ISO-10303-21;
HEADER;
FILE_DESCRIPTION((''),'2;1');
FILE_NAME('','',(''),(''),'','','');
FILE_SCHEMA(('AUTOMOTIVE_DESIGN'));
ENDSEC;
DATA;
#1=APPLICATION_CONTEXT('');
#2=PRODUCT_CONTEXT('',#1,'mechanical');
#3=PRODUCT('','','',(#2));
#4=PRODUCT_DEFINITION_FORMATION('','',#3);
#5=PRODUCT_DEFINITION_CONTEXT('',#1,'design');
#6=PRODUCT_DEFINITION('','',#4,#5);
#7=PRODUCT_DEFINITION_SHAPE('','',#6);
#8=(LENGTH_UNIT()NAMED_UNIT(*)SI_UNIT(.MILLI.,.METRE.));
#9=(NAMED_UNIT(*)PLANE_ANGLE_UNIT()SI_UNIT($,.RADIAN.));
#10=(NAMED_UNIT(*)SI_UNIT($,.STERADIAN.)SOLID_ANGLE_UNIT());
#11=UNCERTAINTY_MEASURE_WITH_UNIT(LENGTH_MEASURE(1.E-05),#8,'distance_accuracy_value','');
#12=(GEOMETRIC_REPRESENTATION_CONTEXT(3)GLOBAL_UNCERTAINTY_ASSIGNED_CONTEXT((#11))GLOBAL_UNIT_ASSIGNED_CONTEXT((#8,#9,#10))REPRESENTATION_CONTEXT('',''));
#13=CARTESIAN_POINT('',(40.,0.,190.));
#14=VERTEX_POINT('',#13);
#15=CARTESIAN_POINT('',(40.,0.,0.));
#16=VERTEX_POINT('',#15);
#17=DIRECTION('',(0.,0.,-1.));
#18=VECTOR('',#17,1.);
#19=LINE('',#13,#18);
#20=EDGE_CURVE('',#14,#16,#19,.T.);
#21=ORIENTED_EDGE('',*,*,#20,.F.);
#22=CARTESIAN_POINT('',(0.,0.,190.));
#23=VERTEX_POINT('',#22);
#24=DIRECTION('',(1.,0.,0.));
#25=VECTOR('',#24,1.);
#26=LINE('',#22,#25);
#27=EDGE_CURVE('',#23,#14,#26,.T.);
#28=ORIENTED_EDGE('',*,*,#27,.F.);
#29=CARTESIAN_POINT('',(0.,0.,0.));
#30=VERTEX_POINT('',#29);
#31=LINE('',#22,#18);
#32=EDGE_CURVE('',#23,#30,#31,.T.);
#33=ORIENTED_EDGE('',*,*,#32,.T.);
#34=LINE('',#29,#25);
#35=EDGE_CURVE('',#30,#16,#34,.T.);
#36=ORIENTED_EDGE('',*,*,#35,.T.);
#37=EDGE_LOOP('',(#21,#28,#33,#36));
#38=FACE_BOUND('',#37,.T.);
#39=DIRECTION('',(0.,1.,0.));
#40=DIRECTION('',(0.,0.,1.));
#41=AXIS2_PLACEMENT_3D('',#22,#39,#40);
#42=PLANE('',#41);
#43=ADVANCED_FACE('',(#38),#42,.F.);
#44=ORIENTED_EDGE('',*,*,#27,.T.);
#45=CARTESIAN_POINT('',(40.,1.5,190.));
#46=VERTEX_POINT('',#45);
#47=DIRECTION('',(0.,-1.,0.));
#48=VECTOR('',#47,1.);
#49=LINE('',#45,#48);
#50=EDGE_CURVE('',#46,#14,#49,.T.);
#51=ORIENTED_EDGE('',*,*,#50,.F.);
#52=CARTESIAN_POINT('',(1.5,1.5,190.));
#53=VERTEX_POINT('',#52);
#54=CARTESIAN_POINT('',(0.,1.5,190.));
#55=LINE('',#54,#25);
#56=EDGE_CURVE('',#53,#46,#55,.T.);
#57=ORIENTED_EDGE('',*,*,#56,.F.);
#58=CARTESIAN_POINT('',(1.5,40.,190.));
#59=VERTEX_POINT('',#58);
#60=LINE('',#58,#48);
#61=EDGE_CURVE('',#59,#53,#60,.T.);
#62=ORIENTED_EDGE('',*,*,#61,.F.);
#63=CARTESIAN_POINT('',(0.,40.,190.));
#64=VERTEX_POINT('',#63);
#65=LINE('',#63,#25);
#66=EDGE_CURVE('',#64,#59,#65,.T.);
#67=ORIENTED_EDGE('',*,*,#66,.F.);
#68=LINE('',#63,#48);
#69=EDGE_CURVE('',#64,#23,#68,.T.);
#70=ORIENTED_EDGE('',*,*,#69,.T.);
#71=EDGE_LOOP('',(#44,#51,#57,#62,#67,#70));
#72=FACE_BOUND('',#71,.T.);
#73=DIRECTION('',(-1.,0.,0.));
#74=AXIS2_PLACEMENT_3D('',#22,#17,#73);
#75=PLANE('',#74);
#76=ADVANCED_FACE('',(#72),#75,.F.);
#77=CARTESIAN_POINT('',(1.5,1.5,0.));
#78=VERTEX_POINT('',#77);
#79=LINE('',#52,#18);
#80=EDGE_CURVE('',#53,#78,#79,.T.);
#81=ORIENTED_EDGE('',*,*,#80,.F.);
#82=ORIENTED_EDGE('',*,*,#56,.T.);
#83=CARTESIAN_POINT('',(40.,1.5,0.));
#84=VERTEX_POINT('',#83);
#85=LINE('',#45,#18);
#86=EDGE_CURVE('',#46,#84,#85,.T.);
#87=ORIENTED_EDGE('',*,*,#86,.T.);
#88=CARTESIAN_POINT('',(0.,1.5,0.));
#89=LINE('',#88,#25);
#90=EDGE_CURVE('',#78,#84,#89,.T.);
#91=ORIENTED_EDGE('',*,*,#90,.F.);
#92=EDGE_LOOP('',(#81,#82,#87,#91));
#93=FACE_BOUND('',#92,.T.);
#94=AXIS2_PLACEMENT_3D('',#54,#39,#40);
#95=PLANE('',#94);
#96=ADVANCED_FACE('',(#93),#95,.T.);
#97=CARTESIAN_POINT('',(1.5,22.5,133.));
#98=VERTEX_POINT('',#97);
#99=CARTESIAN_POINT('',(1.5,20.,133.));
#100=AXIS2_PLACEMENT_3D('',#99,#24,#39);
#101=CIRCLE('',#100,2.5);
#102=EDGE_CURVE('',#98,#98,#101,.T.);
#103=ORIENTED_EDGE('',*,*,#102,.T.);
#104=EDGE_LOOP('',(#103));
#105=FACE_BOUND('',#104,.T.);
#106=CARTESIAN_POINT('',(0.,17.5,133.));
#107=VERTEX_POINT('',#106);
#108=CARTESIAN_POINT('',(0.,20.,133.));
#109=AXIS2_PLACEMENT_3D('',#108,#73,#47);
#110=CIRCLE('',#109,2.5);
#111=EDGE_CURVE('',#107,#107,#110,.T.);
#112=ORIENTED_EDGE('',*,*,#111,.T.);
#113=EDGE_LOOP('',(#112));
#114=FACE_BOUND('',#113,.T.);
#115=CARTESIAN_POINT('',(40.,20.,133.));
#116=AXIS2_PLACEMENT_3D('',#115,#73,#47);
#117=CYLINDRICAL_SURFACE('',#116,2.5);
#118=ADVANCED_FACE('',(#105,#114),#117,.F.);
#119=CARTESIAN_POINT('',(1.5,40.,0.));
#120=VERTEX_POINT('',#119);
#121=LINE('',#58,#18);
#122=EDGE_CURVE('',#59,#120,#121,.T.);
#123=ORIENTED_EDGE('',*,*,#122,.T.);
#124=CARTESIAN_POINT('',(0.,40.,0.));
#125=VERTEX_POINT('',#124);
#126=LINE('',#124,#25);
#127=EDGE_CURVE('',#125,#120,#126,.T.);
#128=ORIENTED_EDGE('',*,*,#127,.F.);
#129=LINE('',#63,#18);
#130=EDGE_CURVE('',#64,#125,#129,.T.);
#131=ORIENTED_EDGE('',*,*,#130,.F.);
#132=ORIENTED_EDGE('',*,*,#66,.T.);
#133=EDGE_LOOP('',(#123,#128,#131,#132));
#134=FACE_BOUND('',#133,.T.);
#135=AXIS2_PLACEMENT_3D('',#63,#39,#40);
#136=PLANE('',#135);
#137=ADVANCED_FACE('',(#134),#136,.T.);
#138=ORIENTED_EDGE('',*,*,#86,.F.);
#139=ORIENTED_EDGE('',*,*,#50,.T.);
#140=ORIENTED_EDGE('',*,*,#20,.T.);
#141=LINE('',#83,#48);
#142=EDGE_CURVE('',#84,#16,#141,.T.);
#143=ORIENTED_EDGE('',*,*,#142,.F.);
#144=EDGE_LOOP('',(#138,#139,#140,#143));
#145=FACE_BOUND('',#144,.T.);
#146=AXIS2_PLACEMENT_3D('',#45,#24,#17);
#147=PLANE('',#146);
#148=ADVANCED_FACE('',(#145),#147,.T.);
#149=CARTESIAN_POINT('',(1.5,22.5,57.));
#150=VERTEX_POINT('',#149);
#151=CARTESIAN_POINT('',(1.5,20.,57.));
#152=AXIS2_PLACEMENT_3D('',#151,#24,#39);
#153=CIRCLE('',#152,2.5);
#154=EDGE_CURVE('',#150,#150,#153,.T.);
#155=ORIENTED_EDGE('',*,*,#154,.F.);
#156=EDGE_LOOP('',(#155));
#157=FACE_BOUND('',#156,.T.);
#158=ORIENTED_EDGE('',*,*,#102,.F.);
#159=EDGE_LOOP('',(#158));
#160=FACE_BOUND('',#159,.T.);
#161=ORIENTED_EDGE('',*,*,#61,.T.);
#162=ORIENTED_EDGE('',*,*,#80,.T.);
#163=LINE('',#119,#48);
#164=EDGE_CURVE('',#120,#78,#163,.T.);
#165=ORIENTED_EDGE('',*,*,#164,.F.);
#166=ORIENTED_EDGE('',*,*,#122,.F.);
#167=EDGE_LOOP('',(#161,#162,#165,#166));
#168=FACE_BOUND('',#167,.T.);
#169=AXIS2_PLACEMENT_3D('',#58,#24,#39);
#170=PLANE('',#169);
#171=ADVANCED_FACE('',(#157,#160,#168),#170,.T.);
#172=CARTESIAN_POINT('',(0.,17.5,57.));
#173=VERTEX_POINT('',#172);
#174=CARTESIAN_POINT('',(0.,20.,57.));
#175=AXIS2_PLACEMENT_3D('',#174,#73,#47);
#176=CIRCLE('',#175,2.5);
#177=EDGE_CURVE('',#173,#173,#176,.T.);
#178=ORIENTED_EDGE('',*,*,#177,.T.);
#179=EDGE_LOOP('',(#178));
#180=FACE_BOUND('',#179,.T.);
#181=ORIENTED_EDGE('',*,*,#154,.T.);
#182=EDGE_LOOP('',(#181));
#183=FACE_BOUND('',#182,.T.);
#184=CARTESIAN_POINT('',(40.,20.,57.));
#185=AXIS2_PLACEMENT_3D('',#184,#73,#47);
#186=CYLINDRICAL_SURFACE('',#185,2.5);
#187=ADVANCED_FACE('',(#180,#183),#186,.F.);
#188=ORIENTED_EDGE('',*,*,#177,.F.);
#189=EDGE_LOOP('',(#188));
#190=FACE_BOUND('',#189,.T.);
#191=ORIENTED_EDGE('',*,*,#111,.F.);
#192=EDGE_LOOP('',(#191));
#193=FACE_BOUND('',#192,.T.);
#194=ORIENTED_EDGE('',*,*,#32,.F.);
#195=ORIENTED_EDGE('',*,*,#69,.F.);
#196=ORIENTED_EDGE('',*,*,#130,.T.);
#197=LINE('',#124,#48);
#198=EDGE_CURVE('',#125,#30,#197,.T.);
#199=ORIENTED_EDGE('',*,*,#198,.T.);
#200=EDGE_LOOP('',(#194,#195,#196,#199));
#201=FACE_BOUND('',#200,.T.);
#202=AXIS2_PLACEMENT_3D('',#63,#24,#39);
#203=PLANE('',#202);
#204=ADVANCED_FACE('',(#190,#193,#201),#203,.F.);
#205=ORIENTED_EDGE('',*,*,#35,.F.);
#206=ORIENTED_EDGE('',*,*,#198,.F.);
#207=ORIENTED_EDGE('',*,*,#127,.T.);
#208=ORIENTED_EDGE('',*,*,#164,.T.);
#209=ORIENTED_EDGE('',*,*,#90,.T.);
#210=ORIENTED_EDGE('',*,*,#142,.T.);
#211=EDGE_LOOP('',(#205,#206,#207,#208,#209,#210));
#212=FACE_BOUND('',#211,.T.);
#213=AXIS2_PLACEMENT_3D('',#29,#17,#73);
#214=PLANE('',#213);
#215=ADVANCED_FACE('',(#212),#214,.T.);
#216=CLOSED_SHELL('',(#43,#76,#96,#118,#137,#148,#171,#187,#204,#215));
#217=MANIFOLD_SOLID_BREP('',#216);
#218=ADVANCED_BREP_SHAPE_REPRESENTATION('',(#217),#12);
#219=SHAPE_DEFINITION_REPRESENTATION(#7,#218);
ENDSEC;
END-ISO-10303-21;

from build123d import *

# Parameters (mm, degrees)
EXTRU_MINCE1_DEPTH      = 190
ESQUISSE2_R             = 2.5
ENL_V_MAT_EXTRU_1_DEPTH = 199.242276016


with BuildPart() as part:
    # Esquisse1 → Extru.-Mince1 (new body)
    with BuildSketch(Plane.XY):
        Polygon((0, 40), (0, 0), (40, 0), (40, 1.5), (1.5, 1.5), (1.5, 40), align=None)
    extrude(amount=EXTRU_MINCE1_DEPTH)

    # Esquisse2 → Enlèv. mat.-Extru.1 (cut, through all)
    with BuildSketch(Plane.ZY):
        with Locations(Location((57, 20, 0), (0, 0, 270))):
            Circle(ESQUISSE2_R)
        with Locations(Location((133, 20, 0), (0, 0, 270))):
            Circle(ESQUISSE2_R)
    extrude(amount=-ENL_V_MAT_EXTRU_1_DEPTH, mode=Mode.SUBTRACT)


solid = part.part
